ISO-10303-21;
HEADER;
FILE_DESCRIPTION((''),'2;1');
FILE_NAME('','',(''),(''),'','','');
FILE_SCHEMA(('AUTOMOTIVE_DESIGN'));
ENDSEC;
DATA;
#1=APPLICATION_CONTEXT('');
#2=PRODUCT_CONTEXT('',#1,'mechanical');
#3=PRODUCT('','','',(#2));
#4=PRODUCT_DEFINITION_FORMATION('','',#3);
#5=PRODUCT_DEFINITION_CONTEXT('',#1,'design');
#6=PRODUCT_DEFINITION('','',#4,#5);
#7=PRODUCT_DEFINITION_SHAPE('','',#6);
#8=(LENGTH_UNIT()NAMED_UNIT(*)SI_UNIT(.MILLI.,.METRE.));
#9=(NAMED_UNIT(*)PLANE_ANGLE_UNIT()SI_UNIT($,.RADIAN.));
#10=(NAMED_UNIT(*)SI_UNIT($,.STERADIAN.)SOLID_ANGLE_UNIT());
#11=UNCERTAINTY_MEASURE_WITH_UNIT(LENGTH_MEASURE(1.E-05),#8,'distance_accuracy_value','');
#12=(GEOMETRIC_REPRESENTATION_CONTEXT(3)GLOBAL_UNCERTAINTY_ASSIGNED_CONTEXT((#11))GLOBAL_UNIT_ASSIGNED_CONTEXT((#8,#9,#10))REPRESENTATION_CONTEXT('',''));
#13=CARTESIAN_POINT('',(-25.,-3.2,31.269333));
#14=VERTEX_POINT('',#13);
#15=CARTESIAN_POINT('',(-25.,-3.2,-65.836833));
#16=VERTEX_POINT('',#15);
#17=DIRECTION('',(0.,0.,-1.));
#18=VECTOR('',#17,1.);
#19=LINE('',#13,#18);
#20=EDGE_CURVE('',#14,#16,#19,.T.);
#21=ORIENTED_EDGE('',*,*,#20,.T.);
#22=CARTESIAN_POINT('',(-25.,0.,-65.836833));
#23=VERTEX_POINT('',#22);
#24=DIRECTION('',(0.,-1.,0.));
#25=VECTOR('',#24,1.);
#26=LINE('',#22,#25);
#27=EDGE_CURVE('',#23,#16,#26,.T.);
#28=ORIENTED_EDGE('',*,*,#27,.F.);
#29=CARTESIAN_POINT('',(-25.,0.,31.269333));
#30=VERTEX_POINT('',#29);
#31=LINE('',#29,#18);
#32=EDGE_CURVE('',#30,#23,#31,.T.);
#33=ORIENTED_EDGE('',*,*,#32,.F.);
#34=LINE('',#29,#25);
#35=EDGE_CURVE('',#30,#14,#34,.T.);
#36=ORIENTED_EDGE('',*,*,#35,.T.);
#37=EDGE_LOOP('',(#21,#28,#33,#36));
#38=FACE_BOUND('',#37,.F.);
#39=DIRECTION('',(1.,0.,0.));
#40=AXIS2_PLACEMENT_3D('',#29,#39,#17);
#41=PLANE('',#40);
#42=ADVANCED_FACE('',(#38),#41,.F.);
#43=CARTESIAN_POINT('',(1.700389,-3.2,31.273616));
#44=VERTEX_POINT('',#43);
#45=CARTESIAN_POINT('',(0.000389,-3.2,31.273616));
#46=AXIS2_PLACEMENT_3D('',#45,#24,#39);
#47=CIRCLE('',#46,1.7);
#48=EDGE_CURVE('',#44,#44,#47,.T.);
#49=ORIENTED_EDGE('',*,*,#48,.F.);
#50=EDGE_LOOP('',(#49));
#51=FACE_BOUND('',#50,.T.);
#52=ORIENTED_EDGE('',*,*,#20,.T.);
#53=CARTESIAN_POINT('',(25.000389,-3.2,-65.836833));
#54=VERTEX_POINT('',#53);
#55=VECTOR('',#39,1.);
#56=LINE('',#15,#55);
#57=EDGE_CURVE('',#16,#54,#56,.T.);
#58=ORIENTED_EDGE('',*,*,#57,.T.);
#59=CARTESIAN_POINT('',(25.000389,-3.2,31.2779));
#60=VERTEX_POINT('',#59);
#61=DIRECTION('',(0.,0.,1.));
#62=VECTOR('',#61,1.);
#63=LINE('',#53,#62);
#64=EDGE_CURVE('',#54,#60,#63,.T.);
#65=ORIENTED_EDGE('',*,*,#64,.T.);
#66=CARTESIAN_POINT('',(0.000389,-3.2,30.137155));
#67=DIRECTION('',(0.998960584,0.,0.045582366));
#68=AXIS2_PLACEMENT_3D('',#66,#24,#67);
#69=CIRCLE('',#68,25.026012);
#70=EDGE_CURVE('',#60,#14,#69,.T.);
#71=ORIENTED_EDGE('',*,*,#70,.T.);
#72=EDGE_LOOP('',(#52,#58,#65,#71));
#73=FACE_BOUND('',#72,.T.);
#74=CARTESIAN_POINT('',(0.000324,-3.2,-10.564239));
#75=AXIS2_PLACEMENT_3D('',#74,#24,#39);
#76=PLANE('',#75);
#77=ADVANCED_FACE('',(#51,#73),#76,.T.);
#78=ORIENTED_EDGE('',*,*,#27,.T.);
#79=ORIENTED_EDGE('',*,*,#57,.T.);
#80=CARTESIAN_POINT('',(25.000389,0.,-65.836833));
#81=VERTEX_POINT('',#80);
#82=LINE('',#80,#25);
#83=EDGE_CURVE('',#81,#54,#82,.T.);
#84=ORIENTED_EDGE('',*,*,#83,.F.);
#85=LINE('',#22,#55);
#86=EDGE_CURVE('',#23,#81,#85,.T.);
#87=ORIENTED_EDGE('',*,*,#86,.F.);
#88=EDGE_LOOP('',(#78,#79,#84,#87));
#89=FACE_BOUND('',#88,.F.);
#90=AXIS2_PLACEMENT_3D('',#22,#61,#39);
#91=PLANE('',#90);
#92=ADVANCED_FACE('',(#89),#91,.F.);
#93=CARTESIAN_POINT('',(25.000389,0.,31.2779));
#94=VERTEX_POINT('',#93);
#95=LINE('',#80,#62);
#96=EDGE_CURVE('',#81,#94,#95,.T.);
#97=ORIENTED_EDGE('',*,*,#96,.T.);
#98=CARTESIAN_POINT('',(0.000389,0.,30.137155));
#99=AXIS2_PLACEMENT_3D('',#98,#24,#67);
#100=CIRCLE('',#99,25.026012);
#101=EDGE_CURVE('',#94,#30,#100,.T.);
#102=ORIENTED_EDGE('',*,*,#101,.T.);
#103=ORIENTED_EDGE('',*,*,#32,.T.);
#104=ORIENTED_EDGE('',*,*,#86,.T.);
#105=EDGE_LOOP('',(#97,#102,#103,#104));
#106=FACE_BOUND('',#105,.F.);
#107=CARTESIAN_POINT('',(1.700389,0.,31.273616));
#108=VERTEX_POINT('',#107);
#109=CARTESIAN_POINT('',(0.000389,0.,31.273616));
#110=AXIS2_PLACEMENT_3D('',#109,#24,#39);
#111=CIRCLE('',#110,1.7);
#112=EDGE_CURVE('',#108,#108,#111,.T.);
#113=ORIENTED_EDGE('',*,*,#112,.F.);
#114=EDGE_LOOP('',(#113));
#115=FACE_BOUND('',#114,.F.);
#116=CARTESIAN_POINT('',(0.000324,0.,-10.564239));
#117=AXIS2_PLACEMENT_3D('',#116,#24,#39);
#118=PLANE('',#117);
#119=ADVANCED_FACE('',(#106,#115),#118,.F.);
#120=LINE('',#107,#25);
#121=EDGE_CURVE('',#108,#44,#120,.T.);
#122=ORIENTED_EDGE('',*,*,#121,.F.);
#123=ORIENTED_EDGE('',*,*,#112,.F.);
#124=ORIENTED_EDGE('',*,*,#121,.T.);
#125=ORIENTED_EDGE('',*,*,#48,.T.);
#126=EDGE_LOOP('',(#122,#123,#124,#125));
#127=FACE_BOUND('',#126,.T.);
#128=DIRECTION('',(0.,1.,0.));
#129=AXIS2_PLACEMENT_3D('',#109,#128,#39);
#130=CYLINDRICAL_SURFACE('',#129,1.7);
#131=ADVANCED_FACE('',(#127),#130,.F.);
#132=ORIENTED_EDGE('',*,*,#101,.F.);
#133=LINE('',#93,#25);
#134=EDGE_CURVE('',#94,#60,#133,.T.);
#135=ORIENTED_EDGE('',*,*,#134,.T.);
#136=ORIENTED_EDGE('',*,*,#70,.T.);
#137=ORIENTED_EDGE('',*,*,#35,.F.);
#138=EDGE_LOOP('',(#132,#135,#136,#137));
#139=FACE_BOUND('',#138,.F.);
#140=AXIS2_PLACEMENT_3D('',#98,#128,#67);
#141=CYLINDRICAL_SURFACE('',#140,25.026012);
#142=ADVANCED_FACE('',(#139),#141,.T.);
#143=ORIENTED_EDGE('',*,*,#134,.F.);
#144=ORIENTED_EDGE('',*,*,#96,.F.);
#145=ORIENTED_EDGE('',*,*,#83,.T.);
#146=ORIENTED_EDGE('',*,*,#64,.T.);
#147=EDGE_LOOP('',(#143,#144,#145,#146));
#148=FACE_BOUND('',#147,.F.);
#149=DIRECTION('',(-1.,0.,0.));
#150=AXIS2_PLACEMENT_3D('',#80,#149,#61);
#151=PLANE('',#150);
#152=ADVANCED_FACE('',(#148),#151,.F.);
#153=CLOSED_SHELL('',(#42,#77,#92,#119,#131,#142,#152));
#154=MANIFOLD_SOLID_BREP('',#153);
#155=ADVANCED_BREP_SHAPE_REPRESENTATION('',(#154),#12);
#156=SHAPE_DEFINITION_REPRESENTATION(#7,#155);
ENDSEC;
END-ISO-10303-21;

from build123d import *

# Parameters (mm, degrees)
F0_R     = 1.7
F1_DEPTH = 3.2


with BuildPart() as f1:
    # F0 (on Front) → F1 (new body)
    with BuildSketch(Plane.XZ):
        with BuildLine():
            Line((-25, 31.269333), (-25, -65.836833))
            Line((-25, -65.836833), (0, -65.836833))
            Line((0, -65.836833), (25.000389, -65.836833))
            Line((25.000389, -65.836833), (25.000389, 31.2779))
            ThreePointArc((25.000389, 31.2779), (-0.003899, 55.163167), (-25, 31.269333))
        make_face()
        with Locations((0.000389, 31.273616)):
            Circle(F0_R, mode=Mode.SUBTRACT)
    extrude(amount=F1_DEPTH)


solid = f1.part
